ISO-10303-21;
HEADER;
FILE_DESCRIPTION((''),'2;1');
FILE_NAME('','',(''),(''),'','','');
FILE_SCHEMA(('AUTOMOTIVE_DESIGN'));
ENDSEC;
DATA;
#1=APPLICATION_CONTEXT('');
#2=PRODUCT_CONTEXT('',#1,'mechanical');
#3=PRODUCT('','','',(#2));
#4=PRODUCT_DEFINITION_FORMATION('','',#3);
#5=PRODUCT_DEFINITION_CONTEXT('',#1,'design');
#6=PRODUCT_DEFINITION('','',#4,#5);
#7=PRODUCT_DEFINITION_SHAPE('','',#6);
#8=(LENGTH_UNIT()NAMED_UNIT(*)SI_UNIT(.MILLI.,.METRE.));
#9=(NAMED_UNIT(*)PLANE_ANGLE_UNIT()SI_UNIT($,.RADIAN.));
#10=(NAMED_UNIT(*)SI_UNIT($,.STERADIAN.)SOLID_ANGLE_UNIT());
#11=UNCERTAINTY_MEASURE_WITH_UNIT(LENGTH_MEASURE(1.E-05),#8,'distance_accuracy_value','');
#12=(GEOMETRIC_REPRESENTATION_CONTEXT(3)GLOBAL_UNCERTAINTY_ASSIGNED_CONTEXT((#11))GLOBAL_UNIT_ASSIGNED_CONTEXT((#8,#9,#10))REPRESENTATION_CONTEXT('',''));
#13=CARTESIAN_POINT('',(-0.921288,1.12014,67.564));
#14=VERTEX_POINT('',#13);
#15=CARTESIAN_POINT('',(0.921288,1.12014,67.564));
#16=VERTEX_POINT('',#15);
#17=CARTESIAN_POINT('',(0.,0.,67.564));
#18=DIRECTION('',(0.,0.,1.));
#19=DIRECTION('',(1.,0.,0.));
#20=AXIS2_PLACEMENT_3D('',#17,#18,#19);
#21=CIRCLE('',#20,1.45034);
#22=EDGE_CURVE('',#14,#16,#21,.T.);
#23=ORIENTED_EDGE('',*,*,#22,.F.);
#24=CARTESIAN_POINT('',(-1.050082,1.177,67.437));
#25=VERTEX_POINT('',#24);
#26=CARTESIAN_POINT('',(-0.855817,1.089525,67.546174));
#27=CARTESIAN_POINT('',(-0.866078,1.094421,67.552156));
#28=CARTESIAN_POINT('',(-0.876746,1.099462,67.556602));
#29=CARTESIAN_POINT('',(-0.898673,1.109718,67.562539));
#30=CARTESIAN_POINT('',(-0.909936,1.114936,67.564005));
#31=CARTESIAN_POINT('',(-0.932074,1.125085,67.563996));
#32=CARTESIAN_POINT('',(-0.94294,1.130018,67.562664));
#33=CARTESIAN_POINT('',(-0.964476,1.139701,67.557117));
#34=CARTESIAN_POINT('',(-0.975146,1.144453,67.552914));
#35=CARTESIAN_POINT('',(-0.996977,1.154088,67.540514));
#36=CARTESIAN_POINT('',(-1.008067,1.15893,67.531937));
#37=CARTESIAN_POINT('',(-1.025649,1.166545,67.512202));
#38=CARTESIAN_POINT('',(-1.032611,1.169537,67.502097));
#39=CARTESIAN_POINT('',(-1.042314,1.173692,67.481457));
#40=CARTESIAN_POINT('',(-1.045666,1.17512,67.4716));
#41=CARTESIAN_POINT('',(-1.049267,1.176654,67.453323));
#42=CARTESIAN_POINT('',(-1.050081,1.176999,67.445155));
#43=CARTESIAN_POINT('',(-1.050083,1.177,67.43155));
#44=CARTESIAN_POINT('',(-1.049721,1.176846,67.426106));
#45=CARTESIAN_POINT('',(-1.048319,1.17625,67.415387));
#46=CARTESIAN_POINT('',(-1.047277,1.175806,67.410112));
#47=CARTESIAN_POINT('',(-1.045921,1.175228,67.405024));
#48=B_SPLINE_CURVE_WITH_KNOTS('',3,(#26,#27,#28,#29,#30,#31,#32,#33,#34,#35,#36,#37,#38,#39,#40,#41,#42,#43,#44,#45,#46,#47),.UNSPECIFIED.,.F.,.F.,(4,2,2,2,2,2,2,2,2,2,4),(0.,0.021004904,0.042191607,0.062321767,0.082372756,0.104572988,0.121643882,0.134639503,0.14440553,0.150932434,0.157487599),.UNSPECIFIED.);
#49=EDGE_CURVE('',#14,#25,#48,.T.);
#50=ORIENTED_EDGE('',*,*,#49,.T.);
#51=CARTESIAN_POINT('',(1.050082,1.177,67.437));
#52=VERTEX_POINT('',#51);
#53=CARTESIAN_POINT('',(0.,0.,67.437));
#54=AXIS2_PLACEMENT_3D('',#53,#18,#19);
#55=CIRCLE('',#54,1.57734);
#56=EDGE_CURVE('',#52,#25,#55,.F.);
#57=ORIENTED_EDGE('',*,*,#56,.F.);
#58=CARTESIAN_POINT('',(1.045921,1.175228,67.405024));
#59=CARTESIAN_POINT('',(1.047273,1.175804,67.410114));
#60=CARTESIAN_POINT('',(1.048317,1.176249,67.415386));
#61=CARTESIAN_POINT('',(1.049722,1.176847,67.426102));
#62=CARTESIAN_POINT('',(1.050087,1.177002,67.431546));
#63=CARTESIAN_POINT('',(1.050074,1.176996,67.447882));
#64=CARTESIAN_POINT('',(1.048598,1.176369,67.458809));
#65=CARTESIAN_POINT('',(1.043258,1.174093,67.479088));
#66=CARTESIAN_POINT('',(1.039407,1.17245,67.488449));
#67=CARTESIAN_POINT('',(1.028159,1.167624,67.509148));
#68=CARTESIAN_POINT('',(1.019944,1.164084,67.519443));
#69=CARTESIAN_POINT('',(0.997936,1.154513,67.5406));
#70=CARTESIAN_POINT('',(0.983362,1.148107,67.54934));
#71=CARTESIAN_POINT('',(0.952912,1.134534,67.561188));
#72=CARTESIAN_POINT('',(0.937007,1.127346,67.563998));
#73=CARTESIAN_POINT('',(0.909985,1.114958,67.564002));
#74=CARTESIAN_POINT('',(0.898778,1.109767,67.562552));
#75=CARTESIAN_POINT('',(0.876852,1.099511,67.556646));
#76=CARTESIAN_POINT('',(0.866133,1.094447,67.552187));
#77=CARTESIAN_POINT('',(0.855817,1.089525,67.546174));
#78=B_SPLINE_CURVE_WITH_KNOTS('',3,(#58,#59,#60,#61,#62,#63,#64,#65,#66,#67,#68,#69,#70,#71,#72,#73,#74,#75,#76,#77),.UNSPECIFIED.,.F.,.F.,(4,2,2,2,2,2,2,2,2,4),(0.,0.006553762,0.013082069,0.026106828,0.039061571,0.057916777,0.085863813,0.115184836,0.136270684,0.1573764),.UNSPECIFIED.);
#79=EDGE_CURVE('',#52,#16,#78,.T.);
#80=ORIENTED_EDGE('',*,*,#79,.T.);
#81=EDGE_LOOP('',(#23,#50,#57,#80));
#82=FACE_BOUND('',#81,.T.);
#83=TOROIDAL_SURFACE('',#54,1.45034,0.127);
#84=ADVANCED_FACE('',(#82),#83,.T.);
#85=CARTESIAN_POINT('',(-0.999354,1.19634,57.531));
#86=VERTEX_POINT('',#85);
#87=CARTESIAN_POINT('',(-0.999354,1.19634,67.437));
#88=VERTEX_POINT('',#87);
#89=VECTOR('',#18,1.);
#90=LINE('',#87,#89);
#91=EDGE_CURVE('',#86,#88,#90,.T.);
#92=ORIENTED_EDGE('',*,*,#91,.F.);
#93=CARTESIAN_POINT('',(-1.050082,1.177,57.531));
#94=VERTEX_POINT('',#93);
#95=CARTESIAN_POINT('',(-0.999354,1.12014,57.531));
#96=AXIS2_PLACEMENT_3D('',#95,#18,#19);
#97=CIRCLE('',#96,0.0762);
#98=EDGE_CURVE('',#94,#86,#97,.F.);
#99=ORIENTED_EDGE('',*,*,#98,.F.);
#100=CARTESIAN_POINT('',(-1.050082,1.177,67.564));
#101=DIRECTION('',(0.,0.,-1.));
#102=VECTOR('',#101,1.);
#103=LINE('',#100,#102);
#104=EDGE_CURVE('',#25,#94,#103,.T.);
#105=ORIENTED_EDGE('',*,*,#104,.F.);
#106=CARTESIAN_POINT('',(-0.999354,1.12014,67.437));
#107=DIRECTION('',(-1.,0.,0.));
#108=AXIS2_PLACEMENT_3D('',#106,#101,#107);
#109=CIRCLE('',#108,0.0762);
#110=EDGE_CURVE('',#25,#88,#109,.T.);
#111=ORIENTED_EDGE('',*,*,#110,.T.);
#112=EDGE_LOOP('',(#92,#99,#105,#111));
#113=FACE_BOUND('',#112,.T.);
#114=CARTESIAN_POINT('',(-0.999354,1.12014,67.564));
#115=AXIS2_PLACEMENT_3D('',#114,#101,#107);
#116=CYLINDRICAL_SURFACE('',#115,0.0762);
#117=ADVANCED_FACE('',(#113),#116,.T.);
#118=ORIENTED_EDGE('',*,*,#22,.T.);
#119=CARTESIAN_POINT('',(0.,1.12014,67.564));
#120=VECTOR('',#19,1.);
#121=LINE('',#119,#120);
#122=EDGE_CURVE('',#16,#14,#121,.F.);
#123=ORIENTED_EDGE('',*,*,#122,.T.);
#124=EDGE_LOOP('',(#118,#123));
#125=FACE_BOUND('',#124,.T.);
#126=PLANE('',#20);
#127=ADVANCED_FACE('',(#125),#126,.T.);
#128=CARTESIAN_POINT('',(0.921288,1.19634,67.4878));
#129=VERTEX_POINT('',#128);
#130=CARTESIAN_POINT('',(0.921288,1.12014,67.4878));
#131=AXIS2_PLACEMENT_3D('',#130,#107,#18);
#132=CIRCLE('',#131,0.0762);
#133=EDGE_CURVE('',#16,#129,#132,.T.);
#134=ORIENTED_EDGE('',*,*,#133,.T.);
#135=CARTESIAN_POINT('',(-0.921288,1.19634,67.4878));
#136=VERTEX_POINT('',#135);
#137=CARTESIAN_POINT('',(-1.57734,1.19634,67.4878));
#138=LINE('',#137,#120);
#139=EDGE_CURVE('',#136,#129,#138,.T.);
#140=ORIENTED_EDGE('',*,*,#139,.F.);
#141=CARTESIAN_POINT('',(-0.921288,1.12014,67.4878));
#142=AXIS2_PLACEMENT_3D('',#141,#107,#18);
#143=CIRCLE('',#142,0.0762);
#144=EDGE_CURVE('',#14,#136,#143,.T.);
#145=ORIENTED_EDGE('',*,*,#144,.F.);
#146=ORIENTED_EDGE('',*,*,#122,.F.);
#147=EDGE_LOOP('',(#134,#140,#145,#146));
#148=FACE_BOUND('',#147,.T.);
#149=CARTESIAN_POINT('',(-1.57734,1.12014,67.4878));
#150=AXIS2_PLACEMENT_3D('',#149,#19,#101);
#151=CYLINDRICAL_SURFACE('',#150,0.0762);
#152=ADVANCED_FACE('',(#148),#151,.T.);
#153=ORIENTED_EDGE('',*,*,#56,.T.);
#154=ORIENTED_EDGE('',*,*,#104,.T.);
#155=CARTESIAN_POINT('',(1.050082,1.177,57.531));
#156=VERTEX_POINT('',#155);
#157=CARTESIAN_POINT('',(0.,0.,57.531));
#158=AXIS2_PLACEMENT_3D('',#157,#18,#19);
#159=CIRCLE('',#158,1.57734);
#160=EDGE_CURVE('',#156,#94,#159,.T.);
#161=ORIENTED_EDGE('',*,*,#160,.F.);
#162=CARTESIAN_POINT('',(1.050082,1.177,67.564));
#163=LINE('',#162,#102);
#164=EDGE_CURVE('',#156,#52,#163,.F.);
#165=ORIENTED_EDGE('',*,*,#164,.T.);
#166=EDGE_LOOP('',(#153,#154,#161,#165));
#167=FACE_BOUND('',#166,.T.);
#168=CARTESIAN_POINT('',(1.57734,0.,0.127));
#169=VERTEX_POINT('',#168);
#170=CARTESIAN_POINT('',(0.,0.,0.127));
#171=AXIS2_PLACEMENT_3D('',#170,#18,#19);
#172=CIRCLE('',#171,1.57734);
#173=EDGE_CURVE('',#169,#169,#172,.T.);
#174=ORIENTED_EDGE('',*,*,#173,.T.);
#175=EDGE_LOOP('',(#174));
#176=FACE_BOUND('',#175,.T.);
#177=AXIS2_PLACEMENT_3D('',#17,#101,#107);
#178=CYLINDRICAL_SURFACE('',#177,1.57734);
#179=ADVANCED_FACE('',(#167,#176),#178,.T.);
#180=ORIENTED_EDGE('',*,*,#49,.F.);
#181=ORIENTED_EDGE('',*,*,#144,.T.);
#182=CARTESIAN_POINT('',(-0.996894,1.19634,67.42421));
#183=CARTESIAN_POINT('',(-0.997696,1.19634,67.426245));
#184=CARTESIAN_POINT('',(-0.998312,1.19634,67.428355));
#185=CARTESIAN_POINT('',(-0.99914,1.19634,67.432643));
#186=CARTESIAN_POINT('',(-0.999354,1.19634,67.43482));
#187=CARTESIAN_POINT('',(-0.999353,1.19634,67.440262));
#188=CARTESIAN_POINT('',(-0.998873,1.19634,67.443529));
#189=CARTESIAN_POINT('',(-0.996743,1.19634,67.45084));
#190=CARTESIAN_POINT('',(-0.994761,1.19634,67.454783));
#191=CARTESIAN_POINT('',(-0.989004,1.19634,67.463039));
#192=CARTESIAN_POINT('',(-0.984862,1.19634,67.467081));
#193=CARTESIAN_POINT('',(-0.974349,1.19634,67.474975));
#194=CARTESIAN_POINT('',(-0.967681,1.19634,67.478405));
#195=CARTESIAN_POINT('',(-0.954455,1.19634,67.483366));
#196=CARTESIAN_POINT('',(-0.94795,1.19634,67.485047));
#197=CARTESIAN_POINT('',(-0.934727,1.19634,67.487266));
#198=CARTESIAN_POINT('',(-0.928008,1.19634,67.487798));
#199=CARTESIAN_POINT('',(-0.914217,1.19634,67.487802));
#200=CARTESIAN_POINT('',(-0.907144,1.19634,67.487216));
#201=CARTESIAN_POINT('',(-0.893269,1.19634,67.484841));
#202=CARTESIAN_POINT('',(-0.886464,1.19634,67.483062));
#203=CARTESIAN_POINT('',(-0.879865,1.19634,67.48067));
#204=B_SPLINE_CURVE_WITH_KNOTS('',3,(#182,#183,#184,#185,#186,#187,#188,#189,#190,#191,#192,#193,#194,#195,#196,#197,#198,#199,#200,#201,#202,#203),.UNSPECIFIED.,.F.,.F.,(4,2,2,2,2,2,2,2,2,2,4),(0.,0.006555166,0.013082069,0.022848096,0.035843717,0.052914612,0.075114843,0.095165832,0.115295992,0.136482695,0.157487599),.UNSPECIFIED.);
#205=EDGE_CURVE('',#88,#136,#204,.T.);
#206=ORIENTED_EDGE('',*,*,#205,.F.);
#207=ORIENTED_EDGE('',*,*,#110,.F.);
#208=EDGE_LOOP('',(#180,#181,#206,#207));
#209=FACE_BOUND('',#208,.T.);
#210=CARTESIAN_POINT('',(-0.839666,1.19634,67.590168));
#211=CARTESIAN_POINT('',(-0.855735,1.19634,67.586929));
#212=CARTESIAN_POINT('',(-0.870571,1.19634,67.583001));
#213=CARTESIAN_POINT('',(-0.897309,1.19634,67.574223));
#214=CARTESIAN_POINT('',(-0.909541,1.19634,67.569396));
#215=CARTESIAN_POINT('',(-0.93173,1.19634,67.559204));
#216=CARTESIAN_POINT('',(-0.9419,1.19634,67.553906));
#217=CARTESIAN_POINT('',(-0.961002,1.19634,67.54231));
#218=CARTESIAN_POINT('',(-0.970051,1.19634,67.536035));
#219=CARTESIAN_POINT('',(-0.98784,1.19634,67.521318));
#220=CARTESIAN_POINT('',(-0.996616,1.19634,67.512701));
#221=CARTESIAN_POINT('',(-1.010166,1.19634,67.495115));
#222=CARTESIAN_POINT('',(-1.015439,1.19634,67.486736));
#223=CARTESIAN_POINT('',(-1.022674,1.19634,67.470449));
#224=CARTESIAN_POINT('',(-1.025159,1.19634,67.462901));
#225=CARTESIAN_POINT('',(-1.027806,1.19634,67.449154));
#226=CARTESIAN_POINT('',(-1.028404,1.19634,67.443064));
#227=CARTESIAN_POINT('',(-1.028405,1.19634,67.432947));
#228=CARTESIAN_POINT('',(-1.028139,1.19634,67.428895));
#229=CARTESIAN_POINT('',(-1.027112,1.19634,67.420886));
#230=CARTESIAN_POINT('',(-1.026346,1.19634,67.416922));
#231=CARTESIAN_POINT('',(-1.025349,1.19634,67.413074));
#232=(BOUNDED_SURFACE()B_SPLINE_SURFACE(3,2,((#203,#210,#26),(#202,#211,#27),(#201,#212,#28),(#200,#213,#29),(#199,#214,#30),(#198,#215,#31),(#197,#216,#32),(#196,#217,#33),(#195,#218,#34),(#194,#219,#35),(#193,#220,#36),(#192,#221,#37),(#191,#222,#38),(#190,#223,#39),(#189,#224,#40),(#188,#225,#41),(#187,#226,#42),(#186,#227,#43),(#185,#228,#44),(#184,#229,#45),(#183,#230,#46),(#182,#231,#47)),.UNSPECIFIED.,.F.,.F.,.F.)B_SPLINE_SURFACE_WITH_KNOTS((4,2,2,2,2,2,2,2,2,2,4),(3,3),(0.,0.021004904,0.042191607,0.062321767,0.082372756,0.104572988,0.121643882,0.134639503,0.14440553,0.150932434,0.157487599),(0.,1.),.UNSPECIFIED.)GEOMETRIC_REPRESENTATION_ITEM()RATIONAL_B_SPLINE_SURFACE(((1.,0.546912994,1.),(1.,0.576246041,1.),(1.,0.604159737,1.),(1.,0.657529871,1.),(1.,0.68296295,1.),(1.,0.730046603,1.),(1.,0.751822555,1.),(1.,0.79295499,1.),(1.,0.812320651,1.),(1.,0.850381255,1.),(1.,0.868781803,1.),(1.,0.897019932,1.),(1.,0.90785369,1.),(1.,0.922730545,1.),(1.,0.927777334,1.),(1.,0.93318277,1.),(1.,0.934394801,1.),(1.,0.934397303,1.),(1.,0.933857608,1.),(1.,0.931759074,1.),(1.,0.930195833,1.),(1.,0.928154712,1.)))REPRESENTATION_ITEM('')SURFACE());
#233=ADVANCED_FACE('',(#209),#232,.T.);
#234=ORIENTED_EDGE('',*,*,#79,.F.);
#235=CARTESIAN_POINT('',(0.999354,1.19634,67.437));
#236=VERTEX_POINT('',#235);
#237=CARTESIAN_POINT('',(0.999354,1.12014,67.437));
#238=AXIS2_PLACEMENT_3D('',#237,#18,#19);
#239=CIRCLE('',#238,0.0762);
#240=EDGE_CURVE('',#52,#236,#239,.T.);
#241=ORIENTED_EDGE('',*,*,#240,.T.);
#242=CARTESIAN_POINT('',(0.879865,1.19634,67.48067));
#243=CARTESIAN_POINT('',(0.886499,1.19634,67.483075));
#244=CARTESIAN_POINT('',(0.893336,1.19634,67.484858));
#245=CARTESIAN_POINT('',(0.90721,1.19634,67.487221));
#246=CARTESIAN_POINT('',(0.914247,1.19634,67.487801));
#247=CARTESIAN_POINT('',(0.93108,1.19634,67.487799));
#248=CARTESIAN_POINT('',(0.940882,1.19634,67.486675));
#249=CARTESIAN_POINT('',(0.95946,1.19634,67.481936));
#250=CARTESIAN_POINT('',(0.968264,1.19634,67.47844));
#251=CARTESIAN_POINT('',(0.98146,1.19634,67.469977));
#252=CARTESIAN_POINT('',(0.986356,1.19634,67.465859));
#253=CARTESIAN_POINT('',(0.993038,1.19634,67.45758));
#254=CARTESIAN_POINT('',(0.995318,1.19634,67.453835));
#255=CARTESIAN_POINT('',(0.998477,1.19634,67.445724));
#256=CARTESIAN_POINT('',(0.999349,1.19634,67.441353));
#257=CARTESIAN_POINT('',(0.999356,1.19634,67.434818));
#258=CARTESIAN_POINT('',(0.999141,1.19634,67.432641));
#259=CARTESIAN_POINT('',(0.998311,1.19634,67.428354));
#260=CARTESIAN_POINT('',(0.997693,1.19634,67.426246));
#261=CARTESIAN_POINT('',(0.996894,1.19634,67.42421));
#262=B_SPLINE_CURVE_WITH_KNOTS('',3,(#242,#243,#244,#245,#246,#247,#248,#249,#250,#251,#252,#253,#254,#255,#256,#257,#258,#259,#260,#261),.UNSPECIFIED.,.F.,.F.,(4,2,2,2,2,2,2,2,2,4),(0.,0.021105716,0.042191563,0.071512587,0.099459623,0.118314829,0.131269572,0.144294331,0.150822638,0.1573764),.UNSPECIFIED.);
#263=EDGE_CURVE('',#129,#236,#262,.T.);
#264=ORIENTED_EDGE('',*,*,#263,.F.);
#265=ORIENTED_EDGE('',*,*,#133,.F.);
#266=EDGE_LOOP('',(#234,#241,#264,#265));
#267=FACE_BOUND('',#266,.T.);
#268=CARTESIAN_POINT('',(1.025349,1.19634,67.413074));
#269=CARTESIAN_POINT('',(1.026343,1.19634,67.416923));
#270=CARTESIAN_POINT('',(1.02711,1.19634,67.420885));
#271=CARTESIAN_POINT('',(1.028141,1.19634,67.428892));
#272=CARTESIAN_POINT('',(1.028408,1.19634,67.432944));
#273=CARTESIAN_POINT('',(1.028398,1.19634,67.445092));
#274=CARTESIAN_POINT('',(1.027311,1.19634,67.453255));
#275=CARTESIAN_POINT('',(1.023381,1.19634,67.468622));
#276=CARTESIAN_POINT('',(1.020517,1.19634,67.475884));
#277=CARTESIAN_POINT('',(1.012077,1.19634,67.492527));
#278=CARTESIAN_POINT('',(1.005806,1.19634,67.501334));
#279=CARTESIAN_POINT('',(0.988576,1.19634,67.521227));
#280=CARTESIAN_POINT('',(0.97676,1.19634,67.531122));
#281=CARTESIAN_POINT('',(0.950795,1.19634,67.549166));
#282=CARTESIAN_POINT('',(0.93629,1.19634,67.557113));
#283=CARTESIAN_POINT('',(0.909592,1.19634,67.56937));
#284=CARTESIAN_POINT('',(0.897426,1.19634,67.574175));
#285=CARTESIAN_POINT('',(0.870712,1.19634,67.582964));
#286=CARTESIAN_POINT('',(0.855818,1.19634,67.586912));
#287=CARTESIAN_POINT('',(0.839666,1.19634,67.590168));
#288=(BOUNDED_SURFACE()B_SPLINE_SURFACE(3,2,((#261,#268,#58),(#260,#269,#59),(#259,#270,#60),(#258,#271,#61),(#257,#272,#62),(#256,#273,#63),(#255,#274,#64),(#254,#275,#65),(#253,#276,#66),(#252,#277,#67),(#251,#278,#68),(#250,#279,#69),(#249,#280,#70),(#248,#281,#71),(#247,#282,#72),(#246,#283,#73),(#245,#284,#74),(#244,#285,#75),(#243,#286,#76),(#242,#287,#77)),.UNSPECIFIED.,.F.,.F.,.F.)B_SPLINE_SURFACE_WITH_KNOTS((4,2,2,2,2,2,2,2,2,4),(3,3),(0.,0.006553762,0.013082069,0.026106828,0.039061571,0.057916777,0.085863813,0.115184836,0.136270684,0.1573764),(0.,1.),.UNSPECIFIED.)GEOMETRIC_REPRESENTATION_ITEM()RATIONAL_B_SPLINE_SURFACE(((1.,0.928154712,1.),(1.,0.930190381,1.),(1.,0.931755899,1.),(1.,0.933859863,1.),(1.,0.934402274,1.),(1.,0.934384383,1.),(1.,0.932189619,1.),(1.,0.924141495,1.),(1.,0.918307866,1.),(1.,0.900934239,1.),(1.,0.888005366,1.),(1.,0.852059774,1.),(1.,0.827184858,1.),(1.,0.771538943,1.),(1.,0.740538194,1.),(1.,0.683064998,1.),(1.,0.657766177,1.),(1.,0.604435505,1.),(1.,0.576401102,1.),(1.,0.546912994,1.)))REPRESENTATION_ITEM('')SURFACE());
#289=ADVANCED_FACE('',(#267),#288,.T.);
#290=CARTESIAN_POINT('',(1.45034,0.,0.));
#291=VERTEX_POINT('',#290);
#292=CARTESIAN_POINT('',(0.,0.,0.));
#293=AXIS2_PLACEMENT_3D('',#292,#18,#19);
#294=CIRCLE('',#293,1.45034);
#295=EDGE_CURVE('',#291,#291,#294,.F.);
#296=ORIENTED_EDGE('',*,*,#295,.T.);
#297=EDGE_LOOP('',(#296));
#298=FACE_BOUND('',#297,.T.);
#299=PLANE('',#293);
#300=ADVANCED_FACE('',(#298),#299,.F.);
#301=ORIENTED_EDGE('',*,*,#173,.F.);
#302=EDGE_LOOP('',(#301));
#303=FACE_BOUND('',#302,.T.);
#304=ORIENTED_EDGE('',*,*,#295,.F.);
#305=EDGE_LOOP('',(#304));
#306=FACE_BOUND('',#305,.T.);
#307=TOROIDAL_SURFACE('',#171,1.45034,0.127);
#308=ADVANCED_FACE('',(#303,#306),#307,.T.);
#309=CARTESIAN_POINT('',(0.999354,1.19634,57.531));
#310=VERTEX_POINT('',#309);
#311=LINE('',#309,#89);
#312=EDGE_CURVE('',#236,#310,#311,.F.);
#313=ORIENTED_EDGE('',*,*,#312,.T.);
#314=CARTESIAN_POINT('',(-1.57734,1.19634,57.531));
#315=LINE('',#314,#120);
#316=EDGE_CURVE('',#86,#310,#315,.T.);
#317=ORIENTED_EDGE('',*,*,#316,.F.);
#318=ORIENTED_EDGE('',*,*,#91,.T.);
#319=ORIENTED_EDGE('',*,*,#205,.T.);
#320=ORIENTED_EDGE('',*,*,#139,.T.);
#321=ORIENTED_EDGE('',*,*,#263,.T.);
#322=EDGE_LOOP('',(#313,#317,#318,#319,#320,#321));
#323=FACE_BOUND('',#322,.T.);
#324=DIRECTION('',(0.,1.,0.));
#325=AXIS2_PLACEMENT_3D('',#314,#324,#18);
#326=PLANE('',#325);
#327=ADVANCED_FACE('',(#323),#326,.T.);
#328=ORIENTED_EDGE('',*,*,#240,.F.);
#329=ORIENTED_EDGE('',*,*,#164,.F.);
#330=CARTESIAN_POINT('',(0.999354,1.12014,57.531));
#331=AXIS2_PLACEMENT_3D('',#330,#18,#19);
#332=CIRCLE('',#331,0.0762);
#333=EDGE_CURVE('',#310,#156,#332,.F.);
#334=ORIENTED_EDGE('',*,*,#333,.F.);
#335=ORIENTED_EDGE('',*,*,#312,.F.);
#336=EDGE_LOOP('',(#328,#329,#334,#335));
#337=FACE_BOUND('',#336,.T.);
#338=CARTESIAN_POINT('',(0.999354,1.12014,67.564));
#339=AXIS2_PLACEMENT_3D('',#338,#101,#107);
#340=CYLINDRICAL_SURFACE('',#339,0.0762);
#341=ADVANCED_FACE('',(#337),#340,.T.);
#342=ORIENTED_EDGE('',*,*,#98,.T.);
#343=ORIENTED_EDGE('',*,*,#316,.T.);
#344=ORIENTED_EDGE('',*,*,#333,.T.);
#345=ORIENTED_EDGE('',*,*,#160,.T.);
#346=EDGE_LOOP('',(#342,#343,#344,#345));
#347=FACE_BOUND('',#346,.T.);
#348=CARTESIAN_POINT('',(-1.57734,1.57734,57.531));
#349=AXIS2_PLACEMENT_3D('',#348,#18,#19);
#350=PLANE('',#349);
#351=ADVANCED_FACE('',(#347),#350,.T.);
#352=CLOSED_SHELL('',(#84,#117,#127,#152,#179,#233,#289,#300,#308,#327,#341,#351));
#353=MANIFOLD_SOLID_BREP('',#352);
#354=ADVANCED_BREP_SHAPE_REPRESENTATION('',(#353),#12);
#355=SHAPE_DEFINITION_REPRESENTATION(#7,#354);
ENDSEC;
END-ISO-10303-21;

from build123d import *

# Parameters (mm, degrees)
SKETCH1_R               = 1.57734
BOSS_EXTRUDE1_DEPTH     = 67.564
FILLET1_R               = 0.127
CUT_EXTRUDE1_DEPTH      = 68.600814341
CUT_EXTRUDE1_DEPTH_BACK = 68.600814341
FILLET2_R               = 0.0762


with BuildPart() as part:
    # Sketch1 → Boss-Extrude1 (new body)
    with BuildSketch(Plane.XY):
        Circle(SKETCH1_R)
    extrude(amount=BOSS_EXTRUDE1_DEPTH)

    # Fillet1
    fillet1_edges = [part.edges().sort_by_distance(p)[0] for p in [
        (-1.57734, 0, 0),
        (-1.57734, 0, 67.564),
    ]]
    fillet(fillet1_edges, radius=FILLET1_R)

    # Sketch2 → Cut-Extrude1 (cut, two sides)
    with BuildSketch(Plane(origin=(0, 0, 0), x_dir=(0, 0, -1), z_dir=(1, 0, 0))) as cut_extrude1_sk:
        with BuildLine():
            Line((-57.531, 1.57734), (-67.437, 1.57734))
            ThreePointArc((-67.437, 1.57734), (-67.526802561, 1.540142561), (-67.564, 1.45034))
            Line((-67.564, 1.45034), (-67.564, 1.19634))
            Line((-67.564, 1.19634), (-57.531, 1.19634))
            Line((-57.531, 1.19634), (-57.531, 1.57734))
        make_face()
    extrude(amount=CUT_EXTRUDE1_DEPTH, mode=Mode.SUBTRACT)
    extrude(cut_extrude1_sk.sketch, amount=-CUT_EXTRUDE1_DEPTH_BACK, mode=Mode.SUBTRACT)

    # Fillet2
    fillet2_edges = [part.edges().sort_by_distance(p)[0] for p in [
        (0.950300299, 1.19634, 67.537610624),
        (0, 1.19634, 67.564),
        (-1.027994202, 1.19634, 62.484),
        (1.027994202, 1.19634, 62.484),
        (0, 1.19634, 67.564),
    ]]
    fillet(fillet2_edges, radius=FILLET2_R)


solid = part.part
